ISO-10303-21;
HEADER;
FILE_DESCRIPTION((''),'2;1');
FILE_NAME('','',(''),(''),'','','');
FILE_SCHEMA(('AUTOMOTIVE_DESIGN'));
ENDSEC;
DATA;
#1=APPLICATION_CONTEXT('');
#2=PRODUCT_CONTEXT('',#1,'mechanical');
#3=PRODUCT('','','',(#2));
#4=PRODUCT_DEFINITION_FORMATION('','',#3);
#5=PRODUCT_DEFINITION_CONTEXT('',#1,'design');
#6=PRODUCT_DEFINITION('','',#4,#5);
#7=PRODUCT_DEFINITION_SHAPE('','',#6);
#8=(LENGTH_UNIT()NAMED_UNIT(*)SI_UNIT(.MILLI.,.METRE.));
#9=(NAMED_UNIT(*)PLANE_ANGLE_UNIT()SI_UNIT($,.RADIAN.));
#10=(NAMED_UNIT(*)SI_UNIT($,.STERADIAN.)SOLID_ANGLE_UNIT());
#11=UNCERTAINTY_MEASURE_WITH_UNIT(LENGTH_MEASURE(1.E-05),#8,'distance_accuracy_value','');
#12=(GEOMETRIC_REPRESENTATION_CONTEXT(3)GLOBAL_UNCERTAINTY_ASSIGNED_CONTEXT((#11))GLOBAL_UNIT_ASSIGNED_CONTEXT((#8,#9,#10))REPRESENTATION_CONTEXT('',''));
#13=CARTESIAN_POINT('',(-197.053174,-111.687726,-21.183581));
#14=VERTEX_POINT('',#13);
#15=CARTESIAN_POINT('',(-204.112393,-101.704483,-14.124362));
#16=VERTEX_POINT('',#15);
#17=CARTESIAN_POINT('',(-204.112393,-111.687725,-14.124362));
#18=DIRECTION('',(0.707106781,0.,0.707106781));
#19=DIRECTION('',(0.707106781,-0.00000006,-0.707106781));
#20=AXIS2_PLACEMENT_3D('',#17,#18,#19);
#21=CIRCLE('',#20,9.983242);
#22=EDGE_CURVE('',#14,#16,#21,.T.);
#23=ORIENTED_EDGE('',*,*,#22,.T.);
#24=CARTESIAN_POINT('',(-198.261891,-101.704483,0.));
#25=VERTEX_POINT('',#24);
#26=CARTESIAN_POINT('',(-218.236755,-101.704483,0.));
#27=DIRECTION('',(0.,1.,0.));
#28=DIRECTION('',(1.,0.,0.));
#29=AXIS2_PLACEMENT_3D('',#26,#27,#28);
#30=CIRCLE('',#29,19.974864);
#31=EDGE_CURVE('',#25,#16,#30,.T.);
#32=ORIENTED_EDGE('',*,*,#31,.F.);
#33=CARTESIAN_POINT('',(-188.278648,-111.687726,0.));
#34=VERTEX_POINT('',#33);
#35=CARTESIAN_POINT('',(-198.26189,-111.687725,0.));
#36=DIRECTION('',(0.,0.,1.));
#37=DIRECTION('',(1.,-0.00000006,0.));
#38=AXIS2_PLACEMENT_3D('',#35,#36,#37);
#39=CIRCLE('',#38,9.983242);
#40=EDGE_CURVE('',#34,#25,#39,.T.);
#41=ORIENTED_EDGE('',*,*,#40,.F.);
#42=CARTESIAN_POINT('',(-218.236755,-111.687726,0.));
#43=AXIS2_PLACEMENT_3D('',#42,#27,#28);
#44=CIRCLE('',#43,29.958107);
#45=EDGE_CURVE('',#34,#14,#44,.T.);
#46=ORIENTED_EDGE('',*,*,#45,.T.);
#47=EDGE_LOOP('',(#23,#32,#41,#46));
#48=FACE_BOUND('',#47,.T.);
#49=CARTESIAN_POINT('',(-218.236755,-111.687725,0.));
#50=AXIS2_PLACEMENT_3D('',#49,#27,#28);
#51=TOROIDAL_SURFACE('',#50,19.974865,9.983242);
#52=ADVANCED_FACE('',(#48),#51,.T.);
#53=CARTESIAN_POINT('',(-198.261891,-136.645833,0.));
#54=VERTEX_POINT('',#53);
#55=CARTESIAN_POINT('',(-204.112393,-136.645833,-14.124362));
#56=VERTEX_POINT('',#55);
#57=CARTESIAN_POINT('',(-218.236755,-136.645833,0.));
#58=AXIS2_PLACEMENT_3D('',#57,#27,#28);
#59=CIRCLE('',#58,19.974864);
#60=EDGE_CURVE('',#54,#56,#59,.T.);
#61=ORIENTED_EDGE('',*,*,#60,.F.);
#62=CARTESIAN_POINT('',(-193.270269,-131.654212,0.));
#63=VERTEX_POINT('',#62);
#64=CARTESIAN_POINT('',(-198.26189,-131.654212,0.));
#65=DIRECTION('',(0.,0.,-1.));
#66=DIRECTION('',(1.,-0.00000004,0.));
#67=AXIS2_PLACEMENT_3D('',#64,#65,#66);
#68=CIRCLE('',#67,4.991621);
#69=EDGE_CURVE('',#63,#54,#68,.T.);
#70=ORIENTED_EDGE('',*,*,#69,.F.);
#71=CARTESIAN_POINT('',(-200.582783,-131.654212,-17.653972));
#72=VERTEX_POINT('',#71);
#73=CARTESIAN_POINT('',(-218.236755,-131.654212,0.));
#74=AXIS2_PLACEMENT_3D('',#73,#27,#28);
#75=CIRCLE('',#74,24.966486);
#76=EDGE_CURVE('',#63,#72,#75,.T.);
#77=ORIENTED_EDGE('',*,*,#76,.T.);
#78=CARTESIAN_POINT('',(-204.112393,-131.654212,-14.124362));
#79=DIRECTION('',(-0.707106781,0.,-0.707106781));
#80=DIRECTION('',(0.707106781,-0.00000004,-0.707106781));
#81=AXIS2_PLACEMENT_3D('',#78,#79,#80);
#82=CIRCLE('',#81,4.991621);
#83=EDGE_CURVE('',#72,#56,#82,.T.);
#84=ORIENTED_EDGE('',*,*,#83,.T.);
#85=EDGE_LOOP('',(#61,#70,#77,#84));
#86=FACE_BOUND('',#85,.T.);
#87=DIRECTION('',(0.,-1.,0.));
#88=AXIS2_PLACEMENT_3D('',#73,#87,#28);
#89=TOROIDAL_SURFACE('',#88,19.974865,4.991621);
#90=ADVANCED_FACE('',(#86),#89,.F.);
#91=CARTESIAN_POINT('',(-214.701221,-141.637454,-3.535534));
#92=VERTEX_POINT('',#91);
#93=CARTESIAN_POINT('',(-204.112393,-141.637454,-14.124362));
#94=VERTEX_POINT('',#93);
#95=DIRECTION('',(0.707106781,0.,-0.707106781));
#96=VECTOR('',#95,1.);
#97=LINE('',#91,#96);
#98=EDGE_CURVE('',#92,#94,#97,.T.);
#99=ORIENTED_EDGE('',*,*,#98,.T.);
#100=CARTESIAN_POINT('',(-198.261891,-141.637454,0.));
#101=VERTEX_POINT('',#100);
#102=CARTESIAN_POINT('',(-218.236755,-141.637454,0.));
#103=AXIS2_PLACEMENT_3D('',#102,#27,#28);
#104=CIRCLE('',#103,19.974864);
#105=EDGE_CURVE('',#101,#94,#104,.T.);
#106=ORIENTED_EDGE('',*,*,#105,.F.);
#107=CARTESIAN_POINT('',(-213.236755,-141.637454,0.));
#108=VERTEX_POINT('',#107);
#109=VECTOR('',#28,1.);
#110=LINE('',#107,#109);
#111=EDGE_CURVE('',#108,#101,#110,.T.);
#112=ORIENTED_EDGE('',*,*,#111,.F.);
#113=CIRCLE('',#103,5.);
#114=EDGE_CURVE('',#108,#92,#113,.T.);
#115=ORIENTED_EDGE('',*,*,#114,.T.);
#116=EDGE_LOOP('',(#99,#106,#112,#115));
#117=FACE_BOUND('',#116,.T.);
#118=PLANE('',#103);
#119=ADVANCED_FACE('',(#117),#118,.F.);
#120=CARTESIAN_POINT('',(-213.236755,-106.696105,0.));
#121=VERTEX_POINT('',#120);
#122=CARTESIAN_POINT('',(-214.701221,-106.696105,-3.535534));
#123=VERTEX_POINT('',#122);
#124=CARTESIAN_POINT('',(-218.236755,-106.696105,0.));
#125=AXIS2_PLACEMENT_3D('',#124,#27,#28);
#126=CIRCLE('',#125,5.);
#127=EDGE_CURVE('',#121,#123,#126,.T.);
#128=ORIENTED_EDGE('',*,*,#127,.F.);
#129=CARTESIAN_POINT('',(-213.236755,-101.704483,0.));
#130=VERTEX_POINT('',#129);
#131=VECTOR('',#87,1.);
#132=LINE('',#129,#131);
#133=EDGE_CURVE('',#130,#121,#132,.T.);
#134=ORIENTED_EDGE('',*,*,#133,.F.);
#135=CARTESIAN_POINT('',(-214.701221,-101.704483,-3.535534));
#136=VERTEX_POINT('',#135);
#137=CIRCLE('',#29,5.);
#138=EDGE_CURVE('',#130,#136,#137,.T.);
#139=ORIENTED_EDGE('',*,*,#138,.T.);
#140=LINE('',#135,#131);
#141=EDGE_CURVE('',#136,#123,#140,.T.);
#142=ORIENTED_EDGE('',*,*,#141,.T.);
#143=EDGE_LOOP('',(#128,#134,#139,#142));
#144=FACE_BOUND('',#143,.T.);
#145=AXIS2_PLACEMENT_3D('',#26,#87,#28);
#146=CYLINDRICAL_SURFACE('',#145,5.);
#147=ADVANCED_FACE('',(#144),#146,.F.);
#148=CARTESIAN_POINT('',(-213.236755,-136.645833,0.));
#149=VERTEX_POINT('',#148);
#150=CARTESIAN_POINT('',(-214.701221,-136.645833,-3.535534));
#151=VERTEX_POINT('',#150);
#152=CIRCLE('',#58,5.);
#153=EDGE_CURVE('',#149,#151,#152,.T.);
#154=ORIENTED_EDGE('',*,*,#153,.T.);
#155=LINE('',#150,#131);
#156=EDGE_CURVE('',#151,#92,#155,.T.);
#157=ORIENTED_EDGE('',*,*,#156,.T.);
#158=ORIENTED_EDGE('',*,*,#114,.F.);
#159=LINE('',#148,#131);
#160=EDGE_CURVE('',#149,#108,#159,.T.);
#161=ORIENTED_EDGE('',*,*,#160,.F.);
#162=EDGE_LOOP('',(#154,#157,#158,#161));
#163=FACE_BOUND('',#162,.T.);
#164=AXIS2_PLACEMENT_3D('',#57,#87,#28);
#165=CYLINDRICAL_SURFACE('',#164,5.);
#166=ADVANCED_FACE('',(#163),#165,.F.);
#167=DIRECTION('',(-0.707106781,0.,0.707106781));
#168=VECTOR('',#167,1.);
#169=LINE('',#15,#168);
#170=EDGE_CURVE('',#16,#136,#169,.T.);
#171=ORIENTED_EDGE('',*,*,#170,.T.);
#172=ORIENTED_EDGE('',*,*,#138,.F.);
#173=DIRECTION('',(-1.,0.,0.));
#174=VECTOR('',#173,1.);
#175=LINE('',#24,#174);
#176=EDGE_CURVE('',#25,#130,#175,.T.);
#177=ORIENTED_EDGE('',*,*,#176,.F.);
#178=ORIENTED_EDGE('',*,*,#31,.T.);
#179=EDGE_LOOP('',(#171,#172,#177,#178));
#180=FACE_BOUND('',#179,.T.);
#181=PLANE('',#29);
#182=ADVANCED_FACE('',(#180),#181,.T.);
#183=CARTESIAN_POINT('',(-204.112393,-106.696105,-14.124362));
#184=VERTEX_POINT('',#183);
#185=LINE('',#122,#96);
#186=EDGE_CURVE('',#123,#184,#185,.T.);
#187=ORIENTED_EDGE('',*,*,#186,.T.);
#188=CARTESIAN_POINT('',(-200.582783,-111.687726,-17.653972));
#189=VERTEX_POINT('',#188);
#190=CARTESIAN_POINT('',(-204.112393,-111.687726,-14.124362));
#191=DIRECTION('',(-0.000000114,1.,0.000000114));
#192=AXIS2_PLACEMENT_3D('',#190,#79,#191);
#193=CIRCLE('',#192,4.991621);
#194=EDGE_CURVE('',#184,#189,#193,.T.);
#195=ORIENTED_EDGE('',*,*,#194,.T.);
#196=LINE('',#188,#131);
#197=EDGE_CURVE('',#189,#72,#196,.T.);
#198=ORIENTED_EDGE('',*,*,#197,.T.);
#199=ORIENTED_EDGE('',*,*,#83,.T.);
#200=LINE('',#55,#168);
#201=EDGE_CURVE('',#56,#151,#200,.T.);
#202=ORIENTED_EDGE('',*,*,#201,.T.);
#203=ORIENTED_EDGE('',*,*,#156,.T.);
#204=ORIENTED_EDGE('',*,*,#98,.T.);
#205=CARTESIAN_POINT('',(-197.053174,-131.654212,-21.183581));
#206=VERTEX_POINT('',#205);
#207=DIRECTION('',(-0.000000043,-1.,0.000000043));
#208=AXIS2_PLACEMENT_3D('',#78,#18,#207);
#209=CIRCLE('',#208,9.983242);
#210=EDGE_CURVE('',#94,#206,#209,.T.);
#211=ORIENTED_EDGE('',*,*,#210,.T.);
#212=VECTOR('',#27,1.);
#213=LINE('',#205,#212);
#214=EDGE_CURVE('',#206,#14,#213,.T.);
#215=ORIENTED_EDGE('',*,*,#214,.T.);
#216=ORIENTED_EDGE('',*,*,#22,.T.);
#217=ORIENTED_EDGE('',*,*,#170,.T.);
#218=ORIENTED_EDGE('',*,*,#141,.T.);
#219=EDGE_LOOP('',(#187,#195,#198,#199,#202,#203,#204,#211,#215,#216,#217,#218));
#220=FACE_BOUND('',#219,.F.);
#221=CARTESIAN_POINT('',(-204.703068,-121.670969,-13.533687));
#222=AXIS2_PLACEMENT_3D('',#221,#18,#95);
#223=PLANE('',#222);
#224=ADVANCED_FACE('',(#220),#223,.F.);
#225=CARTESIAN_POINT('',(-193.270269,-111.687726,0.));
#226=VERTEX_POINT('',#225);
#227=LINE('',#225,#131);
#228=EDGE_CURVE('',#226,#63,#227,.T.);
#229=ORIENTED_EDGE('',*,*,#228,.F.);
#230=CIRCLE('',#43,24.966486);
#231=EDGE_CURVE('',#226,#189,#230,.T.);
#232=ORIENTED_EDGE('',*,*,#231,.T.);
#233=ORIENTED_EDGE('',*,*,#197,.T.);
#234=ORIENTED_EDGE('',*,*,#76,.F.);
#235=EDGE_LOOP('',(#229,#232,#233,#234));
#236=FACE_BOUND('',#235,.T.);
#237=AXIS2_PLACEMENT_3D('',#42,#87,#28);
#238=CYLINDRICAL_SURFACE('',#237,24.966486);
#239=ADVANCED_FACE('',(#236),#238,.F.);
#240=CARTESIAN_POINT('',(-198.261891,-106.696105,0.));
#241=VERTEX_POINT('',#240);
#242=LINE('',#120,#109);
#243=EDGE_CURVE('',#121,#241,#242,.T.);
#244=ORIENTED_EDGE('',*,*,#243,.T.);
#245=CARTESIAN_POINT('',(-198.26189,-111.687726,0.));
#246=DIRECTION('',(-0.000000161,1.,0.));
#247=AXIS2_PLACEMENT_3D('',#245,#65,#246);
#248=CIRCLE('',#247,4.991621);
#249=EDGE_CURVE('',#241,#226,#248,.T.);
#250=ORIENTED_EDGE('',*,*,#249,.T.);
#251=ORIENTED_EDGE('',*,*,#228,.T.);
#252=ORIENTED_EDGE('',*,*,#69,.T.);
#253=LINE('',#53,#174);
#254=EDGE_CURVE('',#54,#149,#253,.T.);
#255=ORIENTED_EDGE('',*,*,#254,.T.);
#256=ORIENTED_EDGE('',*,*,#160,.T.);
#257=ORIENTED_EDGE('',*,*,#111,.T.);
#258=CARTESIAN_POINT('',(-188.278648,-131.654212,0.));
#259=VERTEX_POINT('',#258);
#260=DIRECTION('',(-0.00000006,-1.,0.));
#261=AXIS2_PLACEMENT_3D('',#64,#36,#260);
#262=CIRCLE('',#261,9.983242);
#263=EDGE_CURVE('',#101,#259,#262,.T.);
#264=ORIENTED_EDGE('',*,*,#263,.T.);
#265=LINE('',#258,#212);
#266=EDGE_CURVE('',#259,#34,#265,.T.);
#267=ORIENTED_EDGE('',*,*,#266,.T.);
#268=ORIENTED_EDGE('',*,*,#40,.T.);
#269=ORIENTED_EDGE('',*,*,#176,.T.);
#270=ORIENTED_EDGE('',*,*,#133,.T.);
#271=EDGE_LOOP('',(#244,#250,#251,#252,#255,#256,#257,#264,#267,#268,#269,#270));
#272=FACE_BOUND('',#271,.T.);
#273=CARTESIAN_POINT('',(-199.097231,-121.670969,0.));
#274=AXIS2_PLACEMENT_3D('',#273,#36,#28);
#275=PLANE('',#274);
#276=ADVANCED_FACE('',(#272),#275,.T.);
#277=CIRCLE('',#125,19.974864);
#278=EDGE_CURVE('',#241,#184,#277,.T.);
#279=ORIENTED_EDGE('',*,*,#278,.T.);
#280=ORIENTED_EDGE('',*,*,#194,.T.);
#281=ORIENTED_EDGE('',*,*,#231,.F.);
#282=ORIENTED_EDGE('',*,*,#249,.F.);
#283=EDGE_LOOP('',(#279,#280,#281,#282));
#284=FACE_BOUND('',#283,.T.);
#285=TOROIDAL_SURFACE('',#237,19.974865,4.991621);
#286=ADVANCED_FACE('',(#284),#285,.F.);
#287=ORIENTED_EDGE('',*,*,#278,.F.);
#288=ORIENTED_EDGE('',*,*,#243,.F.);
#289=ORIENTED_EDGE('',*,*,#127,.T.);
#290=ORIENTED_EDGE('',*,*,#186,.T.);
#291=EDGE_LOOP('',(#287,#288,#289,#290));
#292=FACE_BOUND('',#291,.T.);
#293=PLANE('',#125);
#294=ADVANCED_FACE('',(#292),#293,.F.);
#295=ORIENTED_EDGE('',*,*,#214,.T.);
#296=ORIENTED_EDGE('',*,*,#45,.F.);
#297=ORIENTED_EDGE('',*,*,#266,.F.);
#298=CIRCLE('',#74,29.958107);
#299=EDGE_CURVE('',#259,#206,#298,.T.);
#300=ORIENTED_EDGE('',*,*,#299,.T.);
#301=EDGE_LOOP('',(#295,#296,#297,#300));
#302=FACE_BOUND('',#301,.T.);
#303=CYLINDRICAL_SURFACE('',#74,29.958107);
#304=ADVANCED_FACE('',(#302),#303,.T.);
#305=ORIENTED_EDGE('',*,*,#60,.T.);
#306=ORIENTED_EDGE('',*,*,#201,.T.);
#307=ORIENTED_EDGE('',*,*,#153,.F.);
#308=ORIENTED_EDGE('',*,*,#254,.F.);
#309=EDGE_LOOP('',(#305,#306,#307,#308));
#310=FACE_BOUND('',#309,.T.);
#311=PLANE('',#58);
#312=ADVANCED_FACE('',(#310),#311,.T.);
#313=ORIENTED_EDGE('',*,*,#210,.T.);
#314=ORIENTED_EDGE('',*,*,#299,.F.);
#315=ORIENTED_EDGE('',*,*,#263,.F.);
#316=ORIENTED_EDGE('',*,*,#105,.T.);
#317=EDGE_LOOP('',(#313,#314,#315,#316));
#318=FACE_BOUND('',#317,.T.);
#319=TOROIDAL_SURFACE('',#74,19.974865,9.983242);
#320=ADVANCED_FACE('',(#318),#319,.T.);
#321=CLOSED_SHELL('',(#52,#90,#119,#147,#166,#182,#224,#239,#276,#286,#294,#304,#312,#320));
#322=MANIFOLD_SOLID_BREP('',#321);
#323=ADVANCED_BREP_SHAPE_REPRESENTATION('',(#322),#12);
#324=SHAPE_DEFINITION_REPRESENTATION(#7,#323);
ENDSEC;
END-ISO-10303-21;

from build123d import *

# Parameters (mm, degrees)
F1_ANGLE = 45


with BuildPart() as f1:
    # F0 (on Top) → F1 (revolve)
    with BuildSketch(Plane.XY):
        with BuildLine():
            ThreePointArc((-190.874291, -111.687726), (-193.038069, -106.463904), (-198.261891, -104.300127))
            Line((-198.261891, -104.300127), (-213.236755, -104.300127))
            Line((-213.236755, -104.300127), (-213.236755, -106.696105))
            Line((-213.236755, -106.696105), (-198.261891, -106.696105))
            ThreePointArc((-198.261891, -106.696105), (-194.732281, -108.158117), (-193.270269, -111.687726))
            Line((-193.270269, -111.687726), (-193.270269, -131.654212))
            ThreePointArc((-193.270269, -131.654212), (-194.732281, -135.183821), (-198.261891, -136.645833))
            Line((-198.261891, -136.645833), (-213.236755, -136.645833))
            Line((-213.236755, -136.645833), (-213.236755, -139.041811))
            Line((-213.236755, -139.041811), (-198.261891, -139.041811))
            ThreePointArc((-198.261891, -139.041811), (-193.038069, -136.878033), (-190.874291, -131.654212))
            Line((-190.874291, -131.654212), (-190.874291, -111.687726))
        make_face()
        with BuildLine():
            Line((-213.236755, -104.300127), (-198.261891, -104.300127))
            ThreePointArc((-198.261891, -104.300127), (-193.038069, -106.463904), (-190.874291, -111.687726))
            Line((-190.874291, -111.687726), (-190.874291, -131.654212))
            ThreePointArc((-190.874291, -131.654212), (-193.038069, -136.878033), (-198.261891, -139.041811))
            Line((-198.261891, -139.041811), (-213.236755, -139.041811))
            Line((-213.236755, -139.041811), (-213.236755, -141.637454))
            Line((-213.236755, -141.637454), (-198.261891, -141.637454))
            ThreePointArc((-198.261891, -141.637454), (-191.202672, -138.71343), (-188.278648, -131.654212))
            Line((-188.278648, -131.654212), (-188.278648, -111.687726))
            ThreePointArc((-188.278648, -111.687726), (-191.202672, -104.628507), (-198.261891, -101.704483))
            Line((-198.261891, -101.704483), (-213.236755, -101.704483))
            Line((-213.236755, -101.704483), (-213.236755, -104.300127))
        make_face()
    revolve(axis=Axis((-218.236755, -121.670969, 0), (0, 1, 0)), revolution_arc=F1_ANGLE)


solid = f1.part
